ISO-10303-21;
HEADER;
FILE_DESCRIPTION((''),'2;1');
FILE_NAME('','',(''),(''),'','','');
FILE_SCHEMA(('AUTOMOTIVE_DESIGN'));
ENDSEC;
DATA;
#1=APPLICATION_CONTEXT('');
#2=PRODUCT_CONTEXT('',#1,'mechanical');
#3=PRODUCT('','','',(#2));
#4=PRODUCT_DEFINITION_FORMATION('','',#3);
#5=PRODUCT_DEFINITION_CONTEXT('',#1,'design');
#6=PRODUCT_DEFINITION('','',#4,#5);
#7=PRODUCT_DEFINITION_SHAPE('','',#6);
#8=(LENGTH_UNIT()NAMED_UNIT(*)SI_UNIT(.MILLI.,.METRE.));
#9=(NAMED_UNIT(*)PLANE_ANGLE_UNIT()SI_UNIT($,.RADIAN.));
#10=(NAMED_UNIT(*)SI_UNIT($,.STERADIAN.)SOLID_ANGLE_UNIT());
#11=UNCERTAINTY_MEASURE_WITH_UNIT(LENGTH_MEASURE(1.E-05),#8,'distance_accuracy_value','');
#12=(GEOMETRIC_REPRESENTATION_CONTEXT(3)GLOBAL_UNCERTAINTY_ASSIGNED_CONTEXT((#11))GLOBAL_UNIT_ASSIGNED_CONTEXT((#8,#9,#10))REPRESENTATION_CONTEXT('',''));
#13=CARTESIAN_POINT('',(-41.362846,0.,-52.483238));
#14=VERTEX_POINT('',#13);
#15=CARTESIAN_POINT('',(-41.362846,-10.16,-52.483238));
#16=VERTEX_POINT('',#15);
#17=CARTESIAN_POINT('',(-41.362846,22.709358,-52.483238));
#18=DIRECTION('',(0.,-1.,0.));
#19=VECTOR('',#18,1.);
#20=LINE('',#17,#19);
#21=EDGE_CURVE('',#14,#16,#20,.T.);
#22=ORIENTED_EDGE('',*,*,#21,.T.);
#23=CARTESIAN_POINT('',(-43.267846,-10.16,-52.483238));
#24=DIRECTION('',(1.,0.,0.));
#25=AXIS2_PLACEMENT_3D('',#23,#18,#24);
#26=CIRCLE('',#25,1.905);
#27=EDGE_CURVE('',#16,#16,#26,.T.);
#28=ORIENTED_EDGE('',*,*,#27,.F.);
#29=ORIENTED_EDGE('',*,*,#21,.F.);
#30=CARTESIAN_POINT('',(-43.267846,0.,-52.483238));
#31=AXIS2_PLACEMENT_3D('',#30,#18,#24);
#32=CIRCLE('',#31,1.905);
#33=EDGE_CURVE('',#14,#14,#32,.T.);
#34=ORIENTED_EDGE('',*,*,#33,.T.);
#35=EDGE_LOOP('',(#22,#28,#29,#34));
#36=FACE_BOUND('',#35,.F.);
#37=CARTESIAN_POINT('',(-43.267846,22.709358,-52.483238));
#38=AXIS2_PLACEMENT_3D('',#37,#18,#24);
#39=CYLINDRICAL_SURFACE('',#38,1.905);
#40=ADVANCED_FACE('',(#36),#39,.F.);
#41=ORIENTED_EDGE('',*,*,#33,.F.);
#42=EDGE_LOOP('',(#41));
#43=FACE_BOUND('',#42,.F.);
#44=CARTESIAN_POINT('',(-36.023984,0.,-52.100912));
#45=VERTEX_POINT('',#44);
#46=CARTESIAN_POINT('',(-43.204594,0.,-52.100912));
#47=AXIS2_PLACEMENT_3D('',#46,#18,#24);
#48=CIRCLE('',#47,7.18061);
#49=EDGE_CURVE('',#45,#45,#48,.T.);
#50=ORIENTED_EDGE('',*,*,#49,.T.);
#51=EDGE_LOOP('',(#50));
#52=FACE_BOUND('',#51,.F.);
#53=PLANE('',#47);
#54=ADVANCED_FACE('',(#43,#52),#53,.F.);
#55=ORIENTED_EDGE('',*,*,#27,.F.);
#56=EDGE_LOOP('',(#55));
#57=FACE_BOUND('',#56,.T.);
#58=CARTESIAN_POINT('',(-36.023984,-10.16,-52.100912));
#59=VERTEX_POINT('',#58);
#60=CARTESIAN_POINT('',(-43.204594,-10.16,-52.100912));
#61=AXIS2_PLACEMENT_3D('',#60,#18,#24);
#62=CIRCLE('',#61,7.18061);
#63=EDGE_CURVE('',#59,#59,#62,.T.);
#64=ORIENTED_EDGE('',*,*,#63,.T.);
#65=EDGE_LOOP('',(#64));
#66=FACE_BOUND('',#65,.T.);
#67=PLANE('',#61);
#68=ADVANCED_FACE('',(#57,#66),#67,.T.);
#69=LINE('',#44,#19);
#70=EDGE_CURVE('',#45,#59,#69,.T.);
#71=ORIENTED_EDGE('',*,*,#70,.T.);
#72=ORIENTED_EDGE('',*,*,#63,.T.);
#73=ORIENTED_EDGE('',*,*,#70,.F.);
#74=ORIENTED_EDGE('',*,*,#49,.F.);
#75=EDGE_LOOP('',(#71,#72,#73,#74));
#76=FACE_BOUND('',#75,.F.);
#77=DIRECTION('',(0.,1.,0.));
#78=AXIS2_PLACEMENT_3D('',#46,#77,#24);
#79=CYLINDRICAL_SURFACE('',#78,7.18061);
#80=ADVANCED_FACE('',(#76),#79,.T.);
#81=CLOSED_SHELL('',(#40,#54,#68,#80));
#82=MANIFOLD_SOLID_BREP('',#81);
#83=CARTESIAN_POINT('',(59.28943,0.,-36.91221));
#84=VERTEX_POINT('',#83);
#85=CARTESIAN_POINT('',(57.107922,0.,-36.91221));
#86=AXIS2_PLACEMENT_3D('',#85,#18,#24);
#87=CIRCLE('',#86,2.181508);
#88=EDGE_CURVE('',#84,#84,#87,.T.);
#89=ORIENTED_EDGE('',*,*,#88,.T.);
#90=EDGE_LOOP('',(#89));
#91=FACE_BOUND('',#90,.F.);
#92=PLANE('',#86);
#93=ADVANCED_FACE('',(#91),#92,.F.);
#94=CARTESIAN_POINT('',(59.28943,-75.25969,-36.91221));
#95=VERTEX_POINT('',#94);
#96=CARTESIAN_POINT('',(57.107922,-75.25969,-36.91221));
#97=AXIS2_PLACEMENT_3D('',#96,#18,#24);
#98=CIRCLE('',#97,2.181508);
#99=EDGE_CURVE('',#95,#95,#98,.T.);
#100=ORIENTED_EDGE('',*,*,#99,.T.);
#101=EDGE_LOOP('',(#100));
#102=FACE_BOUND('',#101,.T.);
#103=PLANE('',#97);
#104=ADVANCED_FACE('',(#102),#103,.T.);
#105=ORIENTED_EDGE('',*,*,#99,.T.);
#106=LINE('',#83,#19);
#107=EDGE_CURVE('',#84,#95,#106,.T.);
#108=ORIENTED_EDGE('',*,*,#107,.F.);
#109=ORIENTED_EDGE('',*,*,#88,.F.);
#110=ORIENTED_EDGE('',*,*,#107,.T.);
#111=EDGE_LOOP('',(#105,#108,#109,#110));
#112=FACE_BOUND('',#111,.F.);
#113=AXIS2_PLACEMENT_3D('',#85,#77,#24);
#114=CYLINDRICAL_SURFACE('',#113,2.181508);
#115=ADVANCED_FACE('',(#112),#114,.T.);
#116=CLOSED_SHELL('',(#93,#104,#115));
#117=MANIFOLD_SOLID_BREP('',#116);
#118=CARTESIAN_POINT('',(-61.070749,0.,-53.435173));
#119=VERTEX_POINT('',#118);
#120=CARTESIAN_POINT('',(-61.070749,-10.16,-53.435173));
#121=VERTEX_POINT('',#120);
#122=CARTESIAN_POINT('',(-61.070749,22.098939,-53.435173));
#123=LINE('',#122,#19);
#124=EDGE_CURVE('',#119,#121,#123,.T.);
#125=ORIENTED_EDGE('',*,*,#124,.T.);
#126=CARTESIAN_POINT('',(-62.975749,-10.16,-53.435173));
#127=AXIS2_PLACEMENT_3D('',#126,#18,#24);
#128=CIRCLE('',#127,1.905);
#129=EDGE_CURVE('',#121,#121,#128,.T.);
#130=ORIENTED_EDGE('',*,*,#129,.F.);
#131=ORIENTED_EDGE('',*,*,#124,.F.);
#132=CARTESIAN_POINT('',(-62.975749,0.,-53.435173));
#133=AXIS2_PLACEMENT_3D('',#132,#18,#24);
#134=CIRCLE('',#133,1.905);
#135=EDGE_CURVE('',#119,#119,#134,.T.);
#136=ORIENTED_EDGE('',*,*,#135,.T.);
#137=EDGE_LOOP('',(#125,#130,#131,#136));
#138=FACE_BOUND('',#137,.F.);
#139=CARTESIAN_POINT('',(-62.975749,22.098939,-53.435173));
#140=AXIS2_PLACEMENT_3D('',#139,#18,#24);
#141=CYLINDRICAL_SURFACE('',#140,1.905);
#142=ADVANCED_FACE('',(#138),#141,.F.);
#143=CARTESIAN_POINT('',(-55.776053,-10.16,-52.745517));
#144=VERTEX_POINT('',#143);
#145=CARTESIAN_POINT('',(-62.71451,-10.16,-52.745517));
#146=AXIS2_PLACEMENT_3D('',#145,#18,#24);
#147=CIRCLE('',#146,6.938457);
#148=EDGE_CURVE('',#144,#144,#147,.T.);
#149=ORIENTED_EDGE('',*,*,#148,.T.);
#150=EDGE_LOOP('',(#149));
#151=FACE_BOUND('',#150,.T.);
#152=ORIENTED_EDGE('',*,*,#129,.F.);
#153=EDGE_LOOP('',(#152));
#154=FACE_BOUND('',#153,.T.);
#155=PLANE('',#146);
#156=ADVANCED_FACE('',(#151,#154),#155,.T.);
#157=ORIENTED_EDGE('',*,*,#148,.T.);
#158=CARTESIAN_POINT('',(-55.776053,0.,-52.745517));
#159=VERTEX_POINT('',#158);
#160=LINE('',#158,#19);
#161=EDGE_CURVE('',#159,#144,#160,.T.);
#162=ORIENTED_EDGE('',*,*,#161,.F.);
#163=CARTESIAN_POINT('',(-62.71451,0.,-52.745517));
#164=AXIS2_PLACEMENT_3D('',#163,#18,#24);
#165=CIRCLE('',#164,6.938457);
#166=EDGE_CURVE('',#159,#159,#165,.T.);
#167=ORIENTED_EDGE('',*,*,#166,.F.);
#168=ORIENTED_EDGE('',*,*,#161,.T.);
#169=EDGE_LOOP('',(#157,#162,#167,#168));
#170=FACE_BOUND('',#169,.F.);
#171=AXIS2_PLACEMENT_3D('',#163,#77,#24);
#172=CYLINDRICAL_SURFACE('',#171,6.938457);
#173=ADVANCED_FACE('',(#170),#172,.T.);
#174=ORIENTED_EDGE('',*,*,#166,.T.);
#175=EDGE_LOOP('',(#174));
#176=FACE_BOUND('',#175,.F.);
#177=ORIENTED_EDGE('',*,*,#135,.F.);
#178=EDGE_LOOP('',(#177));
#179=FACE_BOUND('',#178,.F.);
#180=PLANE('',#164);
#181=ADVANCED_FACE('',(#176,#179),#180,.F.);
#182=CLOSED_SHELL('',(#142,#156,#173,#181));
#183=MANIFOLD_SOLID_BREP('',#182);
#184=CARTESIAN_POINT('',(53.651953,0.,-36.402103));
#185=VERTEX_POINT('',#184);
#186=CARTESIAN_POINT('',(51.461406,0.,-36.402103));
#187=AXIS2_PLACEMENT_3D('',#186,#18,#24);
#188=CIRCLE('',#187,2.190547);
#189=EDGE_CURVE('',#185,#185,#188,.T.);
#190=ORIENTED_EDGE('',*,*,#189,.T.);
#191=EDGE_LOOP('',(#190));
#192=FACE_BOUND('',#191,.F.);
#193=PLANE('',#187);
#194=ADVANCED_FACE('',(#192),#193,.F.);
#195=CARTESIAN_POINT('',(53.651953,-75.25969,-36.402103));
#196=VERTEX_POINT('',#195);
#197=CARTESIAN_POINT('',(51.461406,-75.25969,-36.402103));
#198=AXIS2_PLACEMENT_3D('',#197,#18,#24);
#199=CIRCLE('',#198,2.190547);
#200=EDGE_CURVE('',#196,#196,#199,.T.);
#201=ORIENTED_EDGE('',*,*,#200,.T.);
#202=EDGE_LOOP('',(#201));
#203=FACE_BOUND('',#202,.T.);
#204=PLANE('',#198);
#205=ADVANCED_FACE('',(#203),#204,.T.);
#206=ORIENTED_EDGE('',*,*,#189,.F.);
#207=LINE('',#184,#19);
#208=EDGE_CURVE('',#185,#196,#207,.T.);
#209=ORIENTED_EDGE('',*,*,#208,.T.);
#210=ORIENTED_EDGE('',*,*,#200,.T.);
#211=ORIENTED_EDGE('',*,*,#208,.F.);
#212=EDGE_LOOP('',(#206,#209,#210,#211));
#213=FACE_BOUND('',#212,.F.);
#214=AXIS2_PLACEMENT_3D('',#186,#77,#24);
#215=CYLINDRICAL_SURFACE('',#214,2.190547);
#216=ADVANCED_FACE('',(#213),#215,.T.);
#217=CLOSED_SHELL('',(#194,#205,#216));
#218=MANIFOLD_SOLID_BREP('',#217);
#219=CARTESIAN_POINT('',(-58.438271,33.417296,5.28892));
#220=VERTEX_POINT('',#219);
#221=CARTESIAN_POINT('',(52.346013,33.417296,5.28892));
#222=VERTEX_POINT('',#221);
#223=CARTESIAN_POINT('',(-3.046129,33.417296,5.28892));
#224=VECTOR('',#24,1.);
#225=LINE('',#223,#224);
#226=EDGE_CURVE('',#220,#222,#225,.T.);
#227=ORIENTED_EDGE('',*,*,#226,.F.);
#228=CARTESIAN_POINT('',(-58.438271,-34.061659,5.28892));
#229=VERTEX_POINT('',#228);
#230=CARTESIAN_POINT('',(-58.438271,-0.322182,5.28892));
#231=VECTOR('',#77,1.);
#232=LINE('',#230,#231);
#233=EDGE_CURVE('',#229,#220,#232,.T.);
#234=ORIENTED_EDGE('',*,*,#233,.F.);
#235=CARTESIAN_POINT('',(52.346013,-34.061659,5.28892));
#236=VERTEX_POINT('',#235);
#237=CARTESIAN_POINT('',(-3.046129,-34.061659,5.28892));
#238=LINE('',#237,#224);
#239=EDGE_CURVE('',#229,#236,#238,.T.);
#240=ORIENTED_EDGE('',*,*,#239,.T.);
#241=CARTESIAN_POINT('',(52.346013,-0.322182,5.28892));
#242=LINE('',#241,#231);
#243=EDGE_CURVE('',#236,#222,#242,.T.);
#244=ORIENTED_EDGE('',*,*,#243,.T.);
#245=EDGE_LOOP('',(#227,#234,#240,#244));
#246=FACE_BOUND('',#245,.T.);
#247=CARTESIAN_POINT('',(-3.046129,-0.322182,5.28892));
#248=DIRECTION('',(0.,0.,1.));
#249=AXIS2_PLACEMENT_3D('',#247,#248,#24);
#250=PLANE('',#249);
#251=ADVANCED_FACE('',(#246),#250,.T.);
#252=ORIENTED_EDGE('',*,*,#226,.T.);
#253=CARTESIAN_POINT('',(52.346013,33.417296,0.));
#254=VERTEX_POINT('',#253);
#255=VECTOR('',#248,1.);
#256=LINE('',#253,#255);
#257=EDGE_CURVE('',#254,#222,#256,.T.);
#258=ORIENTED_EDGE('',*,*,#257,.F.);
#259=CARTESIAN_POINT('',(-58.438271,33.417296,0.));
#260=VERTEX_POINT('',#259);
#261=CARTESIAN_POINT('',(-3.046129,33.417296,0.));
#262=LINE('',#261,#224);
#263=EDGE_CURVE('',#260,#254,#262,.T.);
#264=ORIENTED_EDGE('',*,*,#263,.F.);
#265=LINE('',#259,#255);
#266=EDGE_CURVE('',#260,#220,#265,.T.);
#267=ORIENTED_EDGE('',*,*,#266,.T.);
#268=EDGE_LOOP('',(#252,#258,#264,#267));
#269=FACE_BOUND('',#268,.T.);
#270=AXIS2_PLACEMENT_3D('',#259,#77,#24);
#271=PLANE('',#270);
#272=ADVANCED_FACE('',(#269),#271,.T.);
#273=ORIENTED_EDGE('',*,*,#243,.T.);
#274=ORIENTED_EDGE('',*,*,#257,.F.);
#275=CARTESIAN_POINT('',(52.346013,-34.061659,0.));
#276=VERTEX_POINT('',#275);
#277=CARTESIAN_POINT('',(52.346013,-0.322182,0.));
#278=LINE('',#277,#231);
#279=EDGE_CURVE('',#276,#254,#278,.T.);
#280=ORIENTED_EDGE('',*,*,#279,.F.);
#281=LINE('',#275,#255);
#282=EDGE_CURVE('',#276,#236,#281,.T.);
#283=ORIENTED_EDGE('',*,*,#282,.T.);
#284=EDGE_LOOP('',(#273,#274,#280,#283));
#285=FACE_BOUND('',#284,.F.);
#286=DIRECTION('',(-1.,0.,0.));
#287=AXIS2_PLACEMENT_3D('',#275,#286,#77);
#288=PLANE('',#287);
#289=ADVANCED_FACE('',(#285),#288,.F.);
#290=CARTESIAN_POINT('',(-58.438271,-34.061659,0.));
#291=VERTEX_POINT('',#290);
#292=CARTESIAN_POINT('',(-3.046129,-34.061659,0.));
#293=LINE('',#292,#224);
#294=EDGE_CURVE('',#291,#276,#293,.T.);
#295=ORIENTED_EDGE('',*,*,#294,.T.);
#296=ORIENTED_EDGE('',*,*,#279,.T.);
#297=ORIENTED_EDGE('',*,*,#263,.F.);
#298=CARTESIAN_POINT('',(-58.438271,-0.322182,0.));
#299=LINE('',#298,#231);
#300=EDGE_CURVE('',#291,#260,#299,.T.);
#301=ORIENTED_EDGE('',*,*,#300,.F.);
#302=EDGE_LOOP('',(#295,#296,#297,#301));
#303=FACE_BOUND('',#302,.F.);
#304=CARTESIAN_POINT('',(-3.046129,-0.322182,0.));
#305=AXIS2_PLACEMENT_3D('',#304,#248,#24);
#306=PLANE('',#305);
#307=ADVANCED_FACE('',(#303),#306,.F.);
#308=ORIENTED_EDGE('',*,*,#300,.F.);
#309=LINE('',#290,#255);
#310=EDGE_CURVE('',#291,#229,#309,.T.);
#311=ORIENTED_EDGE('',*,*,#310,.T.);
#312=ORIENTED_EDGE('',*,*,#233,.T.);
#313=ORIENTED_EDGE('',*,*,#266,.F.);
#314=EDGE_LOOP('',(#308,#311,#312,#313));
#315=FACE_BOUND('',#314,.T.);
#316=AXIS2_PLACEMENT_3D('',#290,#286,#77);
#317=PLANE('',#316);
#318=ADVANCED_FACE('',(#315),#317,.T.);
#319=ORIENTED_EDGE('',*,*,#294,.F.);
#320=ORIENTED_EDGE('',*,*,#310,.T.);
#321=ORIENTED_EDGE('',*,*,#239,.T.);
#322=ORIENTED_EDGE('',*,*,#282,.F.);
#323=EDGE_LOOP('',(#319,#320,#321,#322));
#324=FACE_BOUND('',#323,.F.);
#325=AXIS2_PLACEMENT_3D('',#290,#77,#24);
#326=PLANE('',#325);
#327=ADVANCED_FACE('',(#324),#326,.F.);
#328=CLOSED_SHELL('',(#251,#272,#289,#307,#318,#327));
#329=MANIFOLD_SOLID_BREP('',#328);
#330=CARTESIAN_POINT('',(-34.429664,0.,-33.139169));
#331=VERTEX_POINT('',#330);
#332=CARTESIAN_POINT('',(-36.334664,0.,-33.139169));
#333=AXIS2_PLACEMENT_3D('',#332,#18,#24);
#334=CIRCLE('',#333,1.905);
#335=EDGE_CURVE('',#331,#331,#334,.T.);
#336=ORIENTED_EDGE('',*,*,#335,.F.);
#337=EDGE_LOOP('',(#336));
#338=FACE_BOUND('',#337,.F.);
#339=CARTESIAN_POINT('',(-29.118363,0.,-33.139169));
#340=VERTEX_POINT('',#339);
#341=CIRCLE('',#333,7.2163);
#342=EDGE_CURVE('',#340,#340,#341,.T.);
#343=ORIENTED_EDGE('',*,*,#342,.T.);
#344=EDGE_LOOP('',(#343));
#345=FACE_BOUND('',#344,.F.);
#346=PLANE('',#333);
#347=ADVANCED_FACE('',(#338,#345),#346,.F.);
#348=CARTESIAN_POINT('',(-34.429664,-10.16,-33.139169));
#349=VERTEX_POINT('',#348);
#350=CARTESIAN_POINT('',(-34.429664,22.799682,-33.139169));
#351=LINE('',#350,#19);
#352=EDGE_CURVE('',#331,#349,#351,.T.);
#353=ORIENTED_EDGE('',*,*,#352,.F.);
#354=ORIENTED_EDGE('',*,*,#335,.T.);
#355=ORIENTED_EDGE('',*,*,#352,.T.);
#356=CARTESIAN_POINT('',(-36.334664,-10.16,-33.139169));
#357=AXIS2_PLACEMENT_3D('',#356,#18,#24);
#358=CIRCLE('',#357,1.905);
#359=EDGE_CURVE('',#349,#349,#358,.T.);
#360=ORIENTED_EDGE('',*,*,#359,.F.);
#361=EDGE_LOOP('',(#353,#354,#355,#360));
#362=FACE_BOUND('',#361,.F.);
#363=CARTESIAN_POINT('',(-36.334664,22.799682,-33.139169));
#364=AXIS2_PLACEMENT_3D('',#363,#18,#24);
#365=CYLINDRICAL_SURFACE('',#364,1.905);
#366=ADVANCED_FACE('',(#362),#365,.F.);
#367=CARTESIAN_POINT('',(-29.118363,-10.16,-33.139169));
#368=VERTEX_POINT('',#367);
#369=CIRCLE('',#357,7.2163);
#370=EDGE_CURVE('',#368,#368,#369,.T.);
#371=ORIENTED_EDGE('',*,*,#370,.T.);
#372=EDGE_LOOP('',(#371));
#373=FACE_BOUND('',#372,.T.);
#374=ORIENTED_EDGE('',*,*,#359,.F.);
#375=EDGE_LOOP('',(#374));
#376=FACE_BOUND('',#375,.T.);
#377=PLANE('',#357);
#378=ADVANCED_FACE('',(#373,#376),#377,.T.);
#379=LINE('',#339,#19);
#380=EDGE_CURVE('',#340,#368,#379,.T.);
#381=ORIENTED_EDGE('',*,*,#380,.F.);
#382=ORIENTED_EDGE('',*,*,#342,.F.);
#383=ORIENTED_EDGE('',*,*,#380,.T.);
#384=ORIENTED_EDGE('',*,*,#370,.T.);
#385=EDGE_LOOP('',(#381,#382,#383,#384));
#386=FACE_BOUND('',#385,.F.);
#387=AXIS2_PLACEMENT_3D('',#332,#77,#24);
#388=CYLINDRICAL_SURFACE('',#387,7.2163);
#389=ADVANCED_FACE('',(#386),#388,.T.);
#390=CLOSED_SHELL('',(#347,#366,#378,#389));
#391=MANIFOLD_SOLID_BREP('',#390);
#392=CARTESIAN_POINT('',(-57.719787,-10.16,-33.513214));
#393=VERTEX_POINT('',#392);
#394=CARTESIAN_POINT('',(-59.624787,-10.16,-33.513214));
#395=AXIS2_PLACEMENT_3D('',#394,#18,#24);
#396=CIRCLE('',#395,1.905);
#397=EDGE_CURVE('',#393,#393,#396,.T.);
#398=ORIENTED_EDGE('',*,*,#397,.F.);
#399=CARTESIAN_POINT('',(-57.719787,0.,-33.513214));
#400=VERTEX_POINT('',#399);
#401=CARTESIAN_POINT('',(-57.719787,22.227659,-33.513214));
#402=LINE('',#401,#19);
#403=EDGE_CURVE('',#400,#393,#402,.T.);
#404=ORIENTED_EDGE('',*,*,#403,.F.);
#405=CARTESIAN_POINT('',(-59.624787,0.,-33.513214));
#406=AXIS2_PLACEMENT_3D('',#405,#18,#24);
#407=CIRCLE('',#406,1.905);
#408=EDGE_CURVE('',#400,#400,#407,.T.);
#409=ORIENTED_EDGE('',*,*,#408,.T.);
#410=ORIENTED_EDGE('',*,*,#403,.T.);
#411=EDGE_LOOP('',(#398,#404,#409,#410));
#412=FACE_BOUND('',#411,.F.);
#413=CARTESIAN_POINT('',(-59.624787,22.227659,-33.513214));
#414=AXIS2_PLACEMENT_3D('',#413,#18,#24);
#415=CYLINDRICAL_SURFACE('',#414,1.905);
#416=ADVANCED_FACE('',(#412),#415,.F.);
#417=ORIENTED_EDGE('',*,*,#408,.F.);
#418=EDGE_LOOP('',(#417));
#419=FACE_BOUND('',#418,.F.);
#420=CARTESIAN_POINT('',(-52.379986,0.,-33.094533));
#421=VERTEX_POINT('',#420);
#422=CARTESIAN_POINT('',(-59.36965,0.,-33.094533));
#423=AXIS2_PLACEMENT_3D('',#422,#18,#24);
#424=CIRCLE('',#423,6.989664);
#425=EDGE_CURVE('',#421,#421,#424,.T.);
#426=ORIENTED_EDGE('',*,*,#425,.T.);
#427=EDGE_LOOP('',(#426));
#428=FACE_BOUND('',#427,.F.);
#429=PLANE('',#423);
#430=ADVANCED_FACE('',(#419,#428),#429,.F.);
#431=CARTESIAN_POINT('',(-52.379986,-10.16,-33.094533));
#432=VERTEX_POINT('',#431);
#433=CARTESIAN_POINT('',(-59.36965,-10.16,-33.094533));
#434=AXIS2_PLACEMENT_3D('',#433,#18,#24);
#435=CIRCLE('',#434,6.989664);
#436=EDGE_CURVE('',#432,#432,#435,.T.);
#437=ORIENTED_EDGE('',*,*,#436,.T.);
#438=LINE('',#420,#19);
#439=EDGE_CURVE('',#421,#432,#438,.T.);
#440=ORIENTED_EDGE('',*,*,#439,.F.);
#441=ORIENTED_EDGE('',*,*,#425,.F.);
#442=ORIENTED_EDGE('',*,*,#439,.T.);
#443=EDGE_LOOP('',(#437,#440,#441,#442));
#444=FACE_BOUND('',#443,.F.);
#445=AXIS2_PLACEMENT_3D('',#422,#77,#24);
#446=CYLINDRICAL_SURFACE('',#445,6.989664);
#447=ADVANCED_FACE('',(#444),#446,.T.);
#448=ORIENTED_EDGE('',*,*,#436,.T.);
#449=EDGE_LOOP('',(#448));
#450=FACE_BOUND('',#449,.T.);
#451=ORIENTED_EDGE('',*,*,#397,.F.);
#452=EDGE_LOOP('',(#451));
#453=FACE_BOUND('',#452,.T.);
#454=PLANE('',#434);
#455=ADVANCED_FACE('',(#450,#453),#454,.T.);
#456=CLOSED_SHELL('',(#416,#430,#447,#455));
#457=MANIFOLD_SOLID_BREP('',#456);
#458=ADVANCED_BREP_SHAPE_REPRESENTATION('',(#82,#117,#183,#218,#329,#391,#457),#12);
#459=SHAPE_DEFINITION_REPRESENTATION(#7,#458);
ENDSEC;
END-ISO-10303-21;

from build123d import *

# Parameters (mm, degrees)
F0_W     = 110.7842847705
F0_H     = 67.478954792
F1_DEPTH = 5.28892
F2_R     = 2.1815082671
F3_DEPTH = 75.25969
F2_R_2   = 2.1905469229
F4_R     = 8.0140895642
F5_DEPTH = 10.16
F4_R_2   = 7.6854396297
F8_R     = 6.9384570924
F9_DEPTH = 10.16
F8_R_2   = 7.1806103859
F8_R_3   = 6.9896641343
F8_R_4   = 7.2163002878
F11_D    = 3.81
F11_2_D  = 3.81
F11_3_D  = 3.81
F11_4_D  = 3.81


with BuildPart() as f1:
    # F0 (on Top) → F1 (new body)
    with BuildSketch(Plane.XY):
        with Locations((-3.0461288989, -0.3221817315)):
            Rectangle(F0_W, F0_H)
    extrude(amount=F1_DEPTH)


with BuildPart() as f3:
    # F2 (on Front) → F3 (new body)
    with BuildSketch(Plane.XZ):
        with Locations((57.1079216897, -36.9122102857)):
            Circle(F2_R)
    extrude(amount=F3_DEPTH)


with BuildPart() as f3b:
    # F2 (on Front) → F3, piece 2 (new body)
    with BuildSketch(Plane.XZ):
        with Locations((51.4614060521, -36.4021025598)):
            Circle(F2_R_2)
    extrude(amount=F3_DEPTH)


with BuildPart() as f5:
    # F4 (on Front) → F5 (new body)
    with BuildSketch(Plane.XZ):
        with Locations((-34.715604037, -49.3302866817)):
            Circle(F4_R)
    extrude(amount=F5_DEPTH)


with BuildPart() as f5b:
    # F4 (on Front) → F5, piece 2 (new body)
    with BuildSketch(Plane.XZ):
        with Locations((-53.678587079, -50.7312454283)):
            Circle(F4_R_2)
    extrude(amount=F5_DEPTH)


with BuildPart() as f9:
    # F8 (on Front) → F9 (new body)
    with BuildSketch(Plane.XZ):
        with Locations((-62.714509666, -52.7455173433)):
            Circle(F8_R)
    extrude(amount=F9_DEPTH)

    # F11 (through all)
    with Locations(Plane(origin=(0, 0, 0), x_dir=(-1, 0, 0), z_dir=(0, 1, 0))):
        with Locations((36.3346636295, -33.1391692162), (59.62478742, -33.5132144392), (62.9757493734, -53.4351728857), (43.2678461075, -52.4832382798)):
            Hole(F11_D / 2)


with BuildPart() as f9b:
    # F8 (on Front) → F9, piece 2 (new body)
    with BuildSketch(Plane.XZ):
        with Locations((-43.2045944035, -52.1009117365)):
            Circle(F8_R_2)
    extrude(amount=F9_DEPTH)

    # F11#2 (through all)
    with Locations(Plane(origin=(0, 0, 0), x_dir=(-1, 0, 0), z_dir=(0, 1, 0))):
        with Locations((36.3346636295, -33.1391692162), (59.62478742, -33.5132144392), (62.9757493734, -53.4351728857), (43.2678461075, -52.4832382798)):
            Hole(F11_2_D / 2)


with BuildPart() as f9c:
    # F8 (on Front) → F9, piece 3 (new body)
    with BuildSketch(Plane.XZ):
        with Locations((-59.3696497381, -33.0945327878)):
            Circle(F8_R_3)
    extrude(amount=F9_DEPTH)

    # F11#3 (through all)
    with Locations(Plane(origin=(0, 0, 0), x_dir=(-1, 0, 0), z_dir=(0, 1, 0))):
        with Locations((36.3346636295, -33.1391692162), (59.62478742, -33.5132144392), (62.9757493734, -53.4351728857), (43.2678461075, -52.4832382798)):
            Hole(F11_3_D / 2)


with BuildPart() as f9d:
    # F8 (on Front) → F9, piece 4 (new body)
    with BuildSketch(Plane.XZ):
        with Locations((-36.3346636295, -33.1391692162)):
            Circle(F8_R_4)
    extrude(amount=F9_DEPTH)

    # F11#4 (through all)
    with Locations(Plane(origin=(0, 0, 0), x_dir=(-1, 0, 0), z_dir=(0, 1, 0))):
        with Locations((36.3346636295, -33.1391692162), (59.62478742, -33.5132144392), (62.9757493734, -53.4351728857), (43.2678461075, -52.4832382798)):
            Hole(F11_4_D / 2)


solid = Compound([f1.part, f3.part, f3b.part, f9.part, f9b.part, f9c.part, f9d.part])
